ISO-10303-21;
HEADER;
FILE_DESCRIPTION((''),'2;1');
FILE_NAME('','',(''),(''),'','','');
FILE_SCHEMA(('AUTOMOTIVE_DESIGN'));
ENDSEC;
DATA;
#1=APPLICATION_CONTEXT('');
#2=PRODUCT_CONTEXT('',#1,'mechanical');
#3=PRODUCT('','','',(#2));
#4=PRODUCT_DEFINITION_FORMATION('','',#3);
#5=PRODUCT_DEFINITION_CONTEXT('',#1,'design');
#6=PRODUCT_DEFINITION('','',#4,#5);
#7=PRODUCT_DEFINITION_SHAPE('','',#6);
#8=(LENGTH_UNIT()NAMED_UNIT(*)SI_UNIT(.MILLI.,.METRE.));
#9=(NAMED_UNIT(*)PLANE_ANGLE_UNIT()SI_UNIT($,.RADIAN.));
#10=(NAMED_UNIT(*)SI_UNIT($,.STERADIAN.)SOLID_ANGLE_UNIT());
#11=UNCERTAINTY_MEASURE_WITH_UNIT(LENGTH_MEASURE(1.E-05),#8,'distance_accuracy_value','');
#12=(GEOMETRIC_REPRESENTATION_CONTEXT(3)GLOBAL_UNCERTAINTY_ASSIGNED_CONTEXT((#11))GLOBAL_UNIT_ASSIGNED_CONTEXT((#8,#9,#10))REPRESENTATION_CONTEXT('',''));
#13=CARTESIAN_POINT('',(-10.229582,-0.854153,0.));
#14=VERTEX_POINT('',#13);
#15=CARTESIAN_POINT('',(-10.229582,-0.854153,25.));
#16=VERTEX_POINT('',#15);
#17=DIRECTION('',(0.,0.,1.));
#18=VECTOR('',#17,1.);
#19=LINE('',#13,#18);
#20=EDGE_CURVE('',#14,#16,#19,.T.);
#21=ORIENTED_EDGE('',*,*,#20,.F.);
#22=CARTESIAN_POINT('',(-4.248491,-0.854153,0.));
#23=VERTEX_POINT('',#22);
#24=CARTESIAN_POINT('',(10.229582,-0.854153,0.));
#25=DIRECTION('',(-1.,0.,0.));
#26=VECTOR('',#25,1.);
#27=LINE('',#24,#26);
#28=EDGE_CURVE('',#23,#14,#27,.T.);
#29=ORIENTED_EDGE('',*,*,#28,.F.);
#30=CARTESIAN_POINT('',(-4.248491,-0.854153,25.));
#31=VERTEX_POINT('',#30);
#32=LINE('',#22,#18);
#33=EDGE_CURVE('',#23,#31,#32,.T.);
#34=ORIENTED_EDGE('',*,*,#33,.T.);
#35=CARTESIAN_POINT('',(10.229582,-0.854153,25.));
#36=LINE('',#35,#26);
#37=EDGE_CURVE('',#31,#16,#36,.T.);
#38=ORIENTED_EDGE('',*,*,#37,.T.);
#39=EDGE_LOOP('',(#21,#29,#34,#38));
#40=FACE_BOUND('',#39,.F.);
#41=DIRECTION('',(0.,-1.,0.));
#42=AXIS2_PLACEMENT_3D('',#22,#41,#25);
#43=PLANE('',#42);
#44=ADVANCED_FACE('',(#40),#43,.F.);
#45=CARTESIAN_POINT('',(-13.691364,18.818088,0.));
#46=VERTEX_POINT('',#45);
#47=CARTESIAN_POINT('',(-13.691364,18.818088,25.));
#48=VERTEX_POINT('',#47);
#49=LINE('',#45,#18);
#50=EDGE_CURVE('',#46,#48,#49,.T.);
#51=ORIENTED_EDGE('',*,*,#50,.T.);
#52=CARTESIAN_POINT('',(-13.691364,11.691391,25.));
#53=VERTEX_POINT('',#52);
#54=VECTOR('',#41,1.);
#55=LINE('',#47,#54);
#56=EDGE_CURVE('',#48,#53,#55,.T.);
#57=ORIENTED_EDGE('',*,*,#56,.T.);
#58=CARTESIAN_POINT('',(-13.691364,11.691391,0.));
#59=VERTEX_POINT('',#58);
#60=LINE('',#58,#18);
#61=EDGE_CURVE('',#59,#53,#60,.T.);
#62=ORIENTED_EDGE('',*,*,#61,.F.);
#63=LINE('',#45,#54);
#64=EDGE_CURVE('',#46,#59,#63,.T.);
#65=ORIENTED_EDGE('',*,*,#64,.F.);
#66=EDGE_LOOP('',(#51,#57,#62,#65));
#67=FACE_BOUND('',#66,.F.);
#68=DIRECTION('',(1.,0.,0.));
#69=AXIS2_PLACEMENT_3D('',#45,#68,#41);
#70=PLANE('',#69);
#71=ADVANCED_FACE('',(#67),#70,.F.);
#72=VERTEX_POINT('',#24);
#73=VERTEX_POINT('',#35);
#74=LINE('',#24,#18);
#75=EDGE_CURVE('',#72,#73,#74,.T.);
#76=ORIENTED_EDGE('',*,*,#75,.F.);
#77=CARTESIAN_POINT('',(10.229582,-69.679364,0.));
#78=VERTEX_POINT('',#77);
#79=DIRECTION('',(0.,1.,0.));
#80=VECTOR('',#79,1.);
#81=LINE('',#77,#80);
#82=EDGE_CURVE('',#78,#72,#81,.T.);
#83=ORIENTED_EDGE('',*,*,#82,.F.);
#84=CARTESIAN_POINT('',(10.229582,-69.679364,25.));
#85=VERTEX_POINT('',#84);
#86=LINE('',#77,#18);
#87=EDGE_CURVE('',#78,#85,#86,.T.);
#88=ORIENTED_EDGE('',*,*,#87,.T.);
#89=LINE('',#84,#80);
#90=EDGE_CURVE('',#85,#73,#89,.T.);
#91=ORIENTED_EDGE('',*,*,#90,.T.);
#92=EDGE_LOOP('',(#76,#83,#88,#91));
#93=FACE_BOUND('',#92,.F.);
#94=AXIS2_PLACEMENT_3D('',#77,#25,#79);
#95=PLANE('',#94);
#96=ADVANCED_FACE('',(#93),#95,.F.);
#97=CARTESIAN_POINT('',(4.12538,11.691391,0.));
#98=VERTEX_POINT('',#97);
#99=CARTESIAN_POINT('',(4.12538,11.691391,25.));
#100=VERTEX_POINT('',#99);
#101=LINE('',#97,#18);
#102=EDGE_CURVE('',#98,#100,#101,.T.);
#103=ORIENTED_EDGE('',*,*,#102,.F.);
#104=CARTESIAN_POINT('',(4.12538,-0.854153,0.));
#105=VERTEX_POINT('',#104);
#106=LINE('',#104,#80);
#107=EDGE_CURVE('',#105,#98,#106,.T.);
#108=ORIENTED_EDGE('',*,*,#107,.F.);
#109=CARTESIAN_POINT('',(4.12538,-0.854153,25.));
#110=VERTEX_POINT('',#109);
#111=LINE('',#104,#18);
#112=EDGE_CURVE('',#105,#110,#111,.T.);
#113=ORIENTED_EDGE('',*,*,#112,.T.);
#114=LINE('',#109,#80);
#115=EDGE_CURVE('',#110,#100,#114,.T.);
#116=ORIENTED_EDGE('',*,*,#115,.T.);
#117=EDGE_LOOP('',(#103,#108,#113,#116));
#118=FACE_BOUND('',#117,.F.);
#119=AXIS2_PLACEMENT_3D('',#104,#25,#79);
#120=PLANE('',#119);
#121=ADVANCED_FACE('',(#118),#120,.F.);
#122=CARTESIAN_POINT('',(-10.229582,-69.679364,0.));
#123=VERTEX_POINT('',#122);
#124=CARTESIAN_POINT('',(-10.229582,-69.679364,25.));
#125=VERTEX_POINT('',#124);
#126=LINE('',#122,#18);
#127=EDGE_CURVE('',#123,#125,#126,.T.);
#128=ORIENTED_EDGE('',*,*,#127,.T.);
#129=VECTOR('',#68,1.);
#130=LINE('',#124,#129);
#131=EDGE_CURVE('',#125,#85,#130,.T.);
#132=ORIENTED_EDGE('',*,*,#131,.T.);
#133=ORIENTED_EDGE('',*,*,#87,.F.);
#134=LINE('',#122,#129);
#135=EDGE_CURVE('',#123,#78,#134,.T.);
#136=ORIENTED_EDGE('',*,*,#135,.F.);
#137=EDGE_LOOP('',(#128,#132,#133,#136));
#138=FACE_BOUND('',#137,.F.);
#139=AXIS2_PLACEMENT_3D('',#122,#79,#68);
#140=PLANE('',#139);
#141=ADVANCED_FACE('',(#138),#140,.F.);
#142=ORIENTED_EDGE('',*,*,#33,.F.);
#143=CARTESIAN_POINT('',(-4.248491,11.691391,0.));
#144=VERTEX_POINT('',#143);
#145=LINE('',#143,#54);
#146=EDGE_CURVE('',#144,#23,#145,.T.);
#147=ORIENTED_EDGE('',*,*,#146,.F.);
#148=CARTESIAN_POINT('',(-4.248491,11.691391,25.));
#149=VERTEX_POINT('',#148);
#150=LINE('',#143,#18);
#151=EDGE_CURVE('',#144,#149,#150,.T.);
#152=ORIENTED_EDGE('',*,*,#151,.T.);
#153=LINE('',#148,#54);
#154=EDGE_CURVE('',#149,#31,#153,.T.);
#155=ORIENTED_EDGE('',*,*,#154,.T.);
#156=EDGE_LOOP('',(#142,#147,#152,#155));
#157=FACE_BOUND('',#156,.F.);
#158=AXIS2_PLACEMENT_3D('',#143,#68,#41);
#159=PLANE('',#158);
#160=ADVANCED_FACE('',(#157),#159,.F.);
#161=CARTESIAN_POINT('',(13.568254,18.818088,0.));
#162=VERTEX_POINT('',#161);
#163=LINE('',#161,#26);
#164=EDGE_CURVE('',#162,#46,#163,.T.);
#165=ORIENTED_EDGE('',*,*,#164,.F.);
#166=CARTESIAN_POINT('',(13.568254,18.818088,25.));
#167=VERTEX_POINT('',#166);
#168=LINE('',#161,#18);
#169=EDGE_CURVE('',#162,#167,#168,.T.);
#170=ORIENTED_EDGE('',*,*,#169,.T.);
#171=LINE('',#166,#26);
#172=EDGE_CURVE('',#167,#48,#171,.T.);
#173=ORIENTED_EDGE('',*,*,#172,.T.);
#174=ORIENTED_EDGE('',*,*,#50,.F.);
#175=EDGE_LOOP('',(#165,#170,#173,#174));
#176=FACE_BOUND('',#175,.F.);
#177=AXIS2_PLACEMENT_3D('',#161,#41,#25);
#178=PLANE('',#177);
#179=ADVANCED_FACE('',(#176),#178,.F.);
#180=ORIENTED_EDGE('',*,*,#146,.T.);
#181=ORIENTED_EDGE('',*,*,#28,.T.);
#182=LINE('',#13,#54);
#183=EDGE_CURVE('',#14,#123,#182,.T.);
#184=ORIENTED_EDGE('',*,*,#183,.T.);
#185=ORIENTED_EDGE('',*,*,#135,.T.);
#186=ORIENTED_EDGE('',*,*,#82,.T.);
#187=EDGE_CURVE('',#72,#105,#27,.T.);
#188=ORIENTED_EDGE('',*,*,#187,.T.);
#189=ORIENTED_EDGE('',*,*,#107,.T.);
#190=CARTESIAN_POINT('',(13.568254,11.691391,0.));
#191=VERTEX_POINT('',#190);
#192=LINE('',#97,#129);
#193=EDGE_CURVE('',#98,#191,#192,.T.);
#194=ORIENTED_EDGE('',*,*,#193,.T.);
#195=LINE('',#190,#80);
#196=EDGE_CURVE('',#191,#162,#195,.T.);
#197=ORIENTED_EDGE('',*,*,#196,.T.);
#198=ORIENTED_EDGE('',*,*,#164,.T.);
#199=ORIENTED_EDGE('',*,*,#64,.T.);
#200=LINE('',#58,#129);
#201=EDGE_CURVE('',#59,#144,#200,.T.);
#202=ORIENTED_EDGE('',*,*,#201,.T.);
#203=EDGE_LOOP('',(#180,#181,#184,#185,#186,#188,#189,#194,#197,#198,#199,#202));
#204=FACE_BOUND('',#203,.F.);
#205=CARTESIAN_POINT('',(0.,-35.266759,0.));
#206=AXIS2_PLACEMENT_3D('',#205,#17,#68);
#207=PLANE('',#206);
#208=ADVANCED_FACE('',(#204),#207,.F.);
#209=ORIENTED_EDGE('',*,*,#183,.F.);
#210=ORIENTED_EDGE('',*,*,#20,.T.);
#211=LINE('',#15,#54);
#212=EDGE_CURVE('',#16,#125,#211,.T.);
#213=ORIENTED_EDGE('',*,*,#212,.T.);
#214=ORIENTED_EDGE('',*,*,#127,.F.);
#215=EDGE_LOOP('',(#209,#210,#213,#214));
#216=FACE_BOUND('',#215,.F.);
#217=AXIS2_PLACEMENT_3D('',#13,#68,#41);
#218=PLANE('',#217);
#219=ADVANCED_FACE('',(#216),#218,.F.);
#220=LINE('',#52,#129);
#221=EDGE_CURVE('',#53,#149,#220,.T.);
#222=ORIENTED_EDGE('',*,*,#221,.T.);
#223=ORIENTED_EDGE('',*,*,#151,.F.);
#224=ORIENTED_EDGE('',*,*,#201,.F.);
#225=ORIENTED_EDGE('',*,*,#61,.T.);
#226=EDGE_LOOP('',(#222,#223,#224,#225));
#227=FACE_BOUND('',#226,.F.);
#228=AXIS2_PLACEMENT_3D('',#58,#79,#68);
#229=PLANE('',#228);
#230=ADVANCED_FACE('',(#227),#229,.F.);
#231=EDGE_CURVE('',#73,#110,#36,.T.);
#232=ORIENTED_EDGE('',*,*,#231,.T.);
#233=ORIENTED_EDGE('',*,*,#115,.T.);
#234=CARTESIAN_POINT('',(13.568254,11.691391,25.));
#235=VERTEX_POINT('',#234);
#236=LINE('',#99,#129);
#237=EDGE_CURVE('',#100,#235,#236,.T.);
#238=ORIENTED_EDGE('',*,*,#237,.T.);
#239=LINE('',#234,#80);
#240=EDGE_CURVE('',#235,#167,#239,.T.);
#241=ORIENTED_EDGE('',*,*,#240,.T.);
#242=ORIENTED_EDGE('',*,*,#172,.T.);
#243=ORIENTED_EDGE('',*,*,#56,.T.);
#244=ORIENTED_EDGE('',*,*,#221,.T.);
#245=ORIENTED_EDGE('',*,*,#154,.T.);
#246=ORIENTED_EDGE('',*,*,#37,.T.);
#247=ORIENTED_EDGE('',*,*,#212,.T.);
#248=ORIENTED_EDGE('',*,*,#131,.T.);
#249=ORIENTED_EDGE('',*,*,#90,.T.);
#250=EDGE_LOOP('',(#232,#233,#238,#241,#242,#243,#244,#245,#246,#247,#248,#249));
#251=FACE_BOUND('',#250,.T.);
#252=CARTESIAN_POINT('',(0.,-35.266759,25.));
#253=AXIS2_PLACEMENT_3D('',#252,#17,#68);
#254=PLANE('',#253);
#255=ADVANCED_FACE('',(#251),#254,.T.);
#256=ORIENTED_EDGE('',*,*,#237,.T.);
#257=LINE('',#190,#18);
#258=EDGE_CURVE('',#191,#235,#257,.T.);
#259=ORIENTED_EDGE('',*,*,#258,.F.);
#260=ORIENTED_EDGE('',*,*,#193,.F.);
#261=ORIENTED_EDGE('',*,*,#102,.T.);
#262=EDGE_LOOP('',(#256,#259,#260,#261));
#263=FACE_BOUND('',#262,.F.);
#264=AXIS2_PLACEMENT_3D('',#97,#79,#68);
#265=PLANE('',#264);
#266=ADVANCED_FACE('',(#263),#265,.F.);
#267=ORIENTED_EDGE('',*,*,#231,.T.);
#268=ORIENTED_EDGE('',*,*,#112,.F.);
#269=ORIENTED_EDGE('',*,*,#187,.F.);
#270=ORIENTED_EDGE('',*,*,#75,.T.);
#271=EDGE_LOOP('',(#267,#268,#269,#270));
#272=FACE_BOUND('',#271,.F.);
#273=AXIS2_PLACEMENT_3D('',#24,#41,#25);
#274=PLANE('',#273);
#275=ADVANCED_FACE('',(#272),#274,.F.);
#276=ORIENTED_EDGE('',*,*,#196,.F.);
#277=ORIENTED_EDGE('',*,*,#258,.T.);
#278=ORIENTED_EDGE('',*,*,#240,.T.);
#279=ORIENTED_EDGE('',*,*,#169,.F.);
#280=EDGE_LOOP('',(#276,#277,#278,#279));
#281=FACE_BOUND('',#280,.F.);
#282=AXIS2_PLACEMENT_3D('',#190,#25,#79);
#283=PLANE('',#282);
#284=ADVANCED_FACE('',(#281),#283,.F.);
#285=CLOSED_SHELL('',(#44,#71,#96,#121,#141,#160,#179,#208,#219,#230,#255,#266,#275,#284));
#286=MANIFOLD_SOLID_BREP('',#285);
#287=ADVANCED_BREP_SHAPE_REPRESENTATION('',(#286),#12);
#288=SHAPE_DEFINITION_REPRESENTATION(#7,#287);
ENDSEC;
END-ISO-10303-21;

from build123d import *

# Parameters (mm, degrees)
F1_DEPTH = 25


with BuildPart() as f1:
    # F0 (on Top) → F1 (new body)
    with BuildSketch(Plane.XY):
        Polygon((10.229582, -0.854153), (4.12538, -0.854153), (-4.248491, -0.854153), (-10.229582, -0.854153), (-10.229582, -69.679364), (10.229582, -69.679364), align=None)
        Polygon((13.568254, 11.691391), (13.568254, 18.818088), (-13.691364, 18.818088), (-13.691364, 11.691391), (-4.248491, 11.691391), (-4.248491, -0.854153), (4.12538, -0.854153), (4.12538, 11.691391), align=None)
    extrude(amount=F1_DEPTH)


solid = f1.part
